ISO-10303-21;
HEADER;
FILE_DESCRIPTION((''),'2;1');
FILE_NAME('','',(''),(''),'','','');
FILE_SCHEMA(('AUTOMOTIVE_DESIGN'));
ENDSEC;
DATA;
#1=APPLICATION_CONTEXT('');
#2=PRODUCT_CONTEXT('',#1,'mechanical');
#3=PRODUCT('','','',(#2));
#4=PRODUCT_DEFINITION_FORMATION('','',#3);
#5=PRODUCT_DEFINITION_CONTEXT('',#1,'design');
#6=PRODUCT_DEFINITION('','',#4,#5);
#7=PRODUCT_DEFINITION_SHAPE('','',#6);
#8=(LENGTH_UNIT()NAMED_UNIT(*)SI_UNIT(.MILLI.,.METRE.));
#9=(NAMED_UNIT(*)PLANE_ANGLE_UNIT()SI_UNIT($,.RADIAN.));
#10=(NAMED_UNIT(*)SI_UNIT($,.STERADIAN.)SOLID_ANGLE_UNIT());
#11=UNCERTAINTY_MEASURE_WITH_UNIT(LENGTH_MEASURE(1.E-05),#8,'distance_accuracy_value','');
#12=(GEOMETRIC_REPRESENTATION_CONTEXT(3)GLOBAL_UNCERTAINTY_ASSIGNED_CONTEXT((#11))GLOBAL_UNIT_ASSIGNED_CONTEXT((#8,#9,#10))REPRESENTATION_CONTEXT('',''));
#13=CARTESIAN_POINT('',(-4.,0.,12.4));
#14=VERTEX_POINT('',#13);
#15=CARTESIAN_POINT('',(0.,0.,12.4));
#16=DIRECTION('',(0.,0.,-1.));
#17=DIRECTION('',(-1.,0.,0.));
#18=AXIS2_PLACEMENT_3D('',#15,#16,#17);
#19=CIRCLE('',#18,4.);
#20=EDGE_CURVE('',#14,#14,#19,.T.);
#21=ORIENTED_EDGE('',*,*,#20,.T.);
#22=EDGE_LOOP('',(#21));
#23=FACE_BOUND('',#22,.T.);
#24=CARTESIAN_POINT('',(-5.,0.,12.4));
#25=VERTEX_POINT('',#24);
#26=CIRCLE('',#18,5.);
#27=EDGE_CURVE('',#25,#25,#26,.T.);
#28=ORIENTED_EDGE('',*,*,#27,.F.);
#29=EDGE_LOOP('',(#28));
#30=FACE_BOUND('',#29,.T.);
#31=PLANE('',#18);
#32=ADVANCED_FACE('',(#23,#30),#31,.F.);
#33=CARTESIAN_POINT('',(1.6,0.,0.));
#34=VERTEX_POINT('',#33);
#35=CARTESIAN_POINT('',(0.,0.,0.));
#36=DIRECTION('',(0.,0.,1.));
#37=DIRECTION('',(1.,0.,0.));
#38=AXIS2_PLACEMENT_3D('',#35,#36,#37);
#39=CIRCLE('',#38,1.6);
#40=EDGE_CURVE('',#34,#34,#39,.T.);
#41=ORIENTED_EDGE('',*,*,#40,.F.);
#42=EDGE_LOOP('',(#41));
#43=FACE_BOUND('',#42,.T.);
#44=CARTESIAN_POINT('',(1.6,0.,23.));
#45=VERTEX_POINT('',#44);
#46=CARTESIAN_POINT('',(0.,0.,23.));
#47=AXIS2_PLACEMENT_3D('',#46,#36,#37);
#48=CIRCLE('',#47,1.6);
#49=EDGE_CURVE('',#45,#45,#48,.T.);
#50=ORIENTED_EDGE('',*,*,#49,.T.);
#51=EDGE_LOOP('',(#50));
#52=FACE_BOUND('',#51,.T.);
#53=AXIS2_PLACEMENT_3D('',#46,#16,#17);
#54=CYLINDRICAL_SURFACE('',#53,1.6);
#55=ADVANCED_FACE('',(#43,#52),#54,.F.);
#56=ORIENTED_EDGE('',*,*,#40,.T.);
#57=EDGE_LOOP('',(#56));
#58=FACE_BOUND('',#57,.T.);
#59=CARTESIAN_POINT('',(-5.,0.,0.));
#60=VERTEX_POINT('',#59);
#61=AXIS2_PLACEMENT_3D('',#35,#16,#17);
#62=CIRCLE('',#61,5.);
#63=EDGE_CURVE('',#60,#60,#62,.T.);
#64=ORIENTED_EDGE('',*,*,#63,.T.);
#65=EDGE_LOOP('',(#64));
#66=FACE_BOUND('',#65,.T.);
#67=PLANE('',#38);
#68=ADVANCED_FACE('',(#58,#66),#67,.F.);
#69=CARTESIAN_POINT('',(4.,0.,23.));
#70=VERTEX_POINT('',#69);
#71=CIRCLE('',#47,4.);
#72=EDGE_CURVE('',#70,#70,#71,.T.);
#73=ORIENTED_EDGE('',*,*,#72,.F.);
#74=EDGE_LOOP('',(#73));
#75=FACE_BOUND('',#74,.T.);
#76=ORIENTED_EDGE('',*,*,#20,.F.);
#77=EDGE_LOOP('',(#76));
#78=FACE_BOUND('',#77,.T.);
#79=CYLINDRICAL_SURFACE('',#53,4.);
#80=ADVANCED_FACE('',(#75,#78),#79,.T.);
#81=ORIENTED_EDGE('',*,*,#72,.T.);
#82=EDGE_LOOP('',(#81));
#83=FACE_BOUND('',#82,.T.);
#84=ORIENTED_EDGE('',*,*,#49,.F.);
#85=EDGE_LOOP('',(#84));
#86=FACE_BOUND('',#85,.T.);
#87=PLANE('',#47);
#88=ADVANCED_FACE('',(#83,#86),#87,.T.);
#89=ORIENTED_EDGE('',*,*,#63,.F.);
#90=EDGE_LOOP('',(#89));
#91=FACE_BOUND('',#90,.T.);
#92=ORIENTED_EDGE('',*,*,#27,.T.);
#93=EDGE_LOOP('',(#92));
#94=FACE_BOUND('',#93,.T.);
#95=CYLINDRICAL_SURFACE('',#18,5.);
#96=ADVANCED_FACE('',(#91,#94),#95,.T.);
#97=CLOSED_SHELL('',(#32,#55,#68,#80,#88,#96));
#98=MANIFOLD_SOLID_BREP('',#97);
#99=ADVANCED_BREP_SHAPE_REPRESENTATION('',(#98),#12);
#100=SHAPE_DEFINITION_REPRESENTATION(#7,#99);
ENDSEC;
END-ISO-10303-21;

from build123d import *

# Parameters (mm, degrees)
SKETCH2_R           = 4
SKETCH2_R_2         = 1.6
BOSS_EXTRUDE1_DEPTH = 23
SKETCH3_R           = 5
SKETCH3_R_2         = 4
BOSS_EXTRUDE2_DEPTH = 12.4


with BuildPart() as part:
    # Sketch2 → Boss-Extrude1 (new body)
    with BuildSketch(Plane.XY):
        Circle(SKETCH2_R)
        Circle(SKETCH2_R_2, mode=Mode.SUBTRACT)
    extrude(amount=BOSS_EXTRUDE1_DEPTH)

    # Sketch3 → Boss-Extrude2 (add)
    with BuildSketch(Plane(origin=(0, 0, 0), x_dir=(-1, 0, 0), z_dir=(0, 0, -1))):
        Circle(SKETCH3_R)
        Circle(SKETCH3_R_2, mode=Mode.SUBTRACT)
    extrude(amount=-BOSS_EXTRUDE2_DEPTH)


solid = part.part
